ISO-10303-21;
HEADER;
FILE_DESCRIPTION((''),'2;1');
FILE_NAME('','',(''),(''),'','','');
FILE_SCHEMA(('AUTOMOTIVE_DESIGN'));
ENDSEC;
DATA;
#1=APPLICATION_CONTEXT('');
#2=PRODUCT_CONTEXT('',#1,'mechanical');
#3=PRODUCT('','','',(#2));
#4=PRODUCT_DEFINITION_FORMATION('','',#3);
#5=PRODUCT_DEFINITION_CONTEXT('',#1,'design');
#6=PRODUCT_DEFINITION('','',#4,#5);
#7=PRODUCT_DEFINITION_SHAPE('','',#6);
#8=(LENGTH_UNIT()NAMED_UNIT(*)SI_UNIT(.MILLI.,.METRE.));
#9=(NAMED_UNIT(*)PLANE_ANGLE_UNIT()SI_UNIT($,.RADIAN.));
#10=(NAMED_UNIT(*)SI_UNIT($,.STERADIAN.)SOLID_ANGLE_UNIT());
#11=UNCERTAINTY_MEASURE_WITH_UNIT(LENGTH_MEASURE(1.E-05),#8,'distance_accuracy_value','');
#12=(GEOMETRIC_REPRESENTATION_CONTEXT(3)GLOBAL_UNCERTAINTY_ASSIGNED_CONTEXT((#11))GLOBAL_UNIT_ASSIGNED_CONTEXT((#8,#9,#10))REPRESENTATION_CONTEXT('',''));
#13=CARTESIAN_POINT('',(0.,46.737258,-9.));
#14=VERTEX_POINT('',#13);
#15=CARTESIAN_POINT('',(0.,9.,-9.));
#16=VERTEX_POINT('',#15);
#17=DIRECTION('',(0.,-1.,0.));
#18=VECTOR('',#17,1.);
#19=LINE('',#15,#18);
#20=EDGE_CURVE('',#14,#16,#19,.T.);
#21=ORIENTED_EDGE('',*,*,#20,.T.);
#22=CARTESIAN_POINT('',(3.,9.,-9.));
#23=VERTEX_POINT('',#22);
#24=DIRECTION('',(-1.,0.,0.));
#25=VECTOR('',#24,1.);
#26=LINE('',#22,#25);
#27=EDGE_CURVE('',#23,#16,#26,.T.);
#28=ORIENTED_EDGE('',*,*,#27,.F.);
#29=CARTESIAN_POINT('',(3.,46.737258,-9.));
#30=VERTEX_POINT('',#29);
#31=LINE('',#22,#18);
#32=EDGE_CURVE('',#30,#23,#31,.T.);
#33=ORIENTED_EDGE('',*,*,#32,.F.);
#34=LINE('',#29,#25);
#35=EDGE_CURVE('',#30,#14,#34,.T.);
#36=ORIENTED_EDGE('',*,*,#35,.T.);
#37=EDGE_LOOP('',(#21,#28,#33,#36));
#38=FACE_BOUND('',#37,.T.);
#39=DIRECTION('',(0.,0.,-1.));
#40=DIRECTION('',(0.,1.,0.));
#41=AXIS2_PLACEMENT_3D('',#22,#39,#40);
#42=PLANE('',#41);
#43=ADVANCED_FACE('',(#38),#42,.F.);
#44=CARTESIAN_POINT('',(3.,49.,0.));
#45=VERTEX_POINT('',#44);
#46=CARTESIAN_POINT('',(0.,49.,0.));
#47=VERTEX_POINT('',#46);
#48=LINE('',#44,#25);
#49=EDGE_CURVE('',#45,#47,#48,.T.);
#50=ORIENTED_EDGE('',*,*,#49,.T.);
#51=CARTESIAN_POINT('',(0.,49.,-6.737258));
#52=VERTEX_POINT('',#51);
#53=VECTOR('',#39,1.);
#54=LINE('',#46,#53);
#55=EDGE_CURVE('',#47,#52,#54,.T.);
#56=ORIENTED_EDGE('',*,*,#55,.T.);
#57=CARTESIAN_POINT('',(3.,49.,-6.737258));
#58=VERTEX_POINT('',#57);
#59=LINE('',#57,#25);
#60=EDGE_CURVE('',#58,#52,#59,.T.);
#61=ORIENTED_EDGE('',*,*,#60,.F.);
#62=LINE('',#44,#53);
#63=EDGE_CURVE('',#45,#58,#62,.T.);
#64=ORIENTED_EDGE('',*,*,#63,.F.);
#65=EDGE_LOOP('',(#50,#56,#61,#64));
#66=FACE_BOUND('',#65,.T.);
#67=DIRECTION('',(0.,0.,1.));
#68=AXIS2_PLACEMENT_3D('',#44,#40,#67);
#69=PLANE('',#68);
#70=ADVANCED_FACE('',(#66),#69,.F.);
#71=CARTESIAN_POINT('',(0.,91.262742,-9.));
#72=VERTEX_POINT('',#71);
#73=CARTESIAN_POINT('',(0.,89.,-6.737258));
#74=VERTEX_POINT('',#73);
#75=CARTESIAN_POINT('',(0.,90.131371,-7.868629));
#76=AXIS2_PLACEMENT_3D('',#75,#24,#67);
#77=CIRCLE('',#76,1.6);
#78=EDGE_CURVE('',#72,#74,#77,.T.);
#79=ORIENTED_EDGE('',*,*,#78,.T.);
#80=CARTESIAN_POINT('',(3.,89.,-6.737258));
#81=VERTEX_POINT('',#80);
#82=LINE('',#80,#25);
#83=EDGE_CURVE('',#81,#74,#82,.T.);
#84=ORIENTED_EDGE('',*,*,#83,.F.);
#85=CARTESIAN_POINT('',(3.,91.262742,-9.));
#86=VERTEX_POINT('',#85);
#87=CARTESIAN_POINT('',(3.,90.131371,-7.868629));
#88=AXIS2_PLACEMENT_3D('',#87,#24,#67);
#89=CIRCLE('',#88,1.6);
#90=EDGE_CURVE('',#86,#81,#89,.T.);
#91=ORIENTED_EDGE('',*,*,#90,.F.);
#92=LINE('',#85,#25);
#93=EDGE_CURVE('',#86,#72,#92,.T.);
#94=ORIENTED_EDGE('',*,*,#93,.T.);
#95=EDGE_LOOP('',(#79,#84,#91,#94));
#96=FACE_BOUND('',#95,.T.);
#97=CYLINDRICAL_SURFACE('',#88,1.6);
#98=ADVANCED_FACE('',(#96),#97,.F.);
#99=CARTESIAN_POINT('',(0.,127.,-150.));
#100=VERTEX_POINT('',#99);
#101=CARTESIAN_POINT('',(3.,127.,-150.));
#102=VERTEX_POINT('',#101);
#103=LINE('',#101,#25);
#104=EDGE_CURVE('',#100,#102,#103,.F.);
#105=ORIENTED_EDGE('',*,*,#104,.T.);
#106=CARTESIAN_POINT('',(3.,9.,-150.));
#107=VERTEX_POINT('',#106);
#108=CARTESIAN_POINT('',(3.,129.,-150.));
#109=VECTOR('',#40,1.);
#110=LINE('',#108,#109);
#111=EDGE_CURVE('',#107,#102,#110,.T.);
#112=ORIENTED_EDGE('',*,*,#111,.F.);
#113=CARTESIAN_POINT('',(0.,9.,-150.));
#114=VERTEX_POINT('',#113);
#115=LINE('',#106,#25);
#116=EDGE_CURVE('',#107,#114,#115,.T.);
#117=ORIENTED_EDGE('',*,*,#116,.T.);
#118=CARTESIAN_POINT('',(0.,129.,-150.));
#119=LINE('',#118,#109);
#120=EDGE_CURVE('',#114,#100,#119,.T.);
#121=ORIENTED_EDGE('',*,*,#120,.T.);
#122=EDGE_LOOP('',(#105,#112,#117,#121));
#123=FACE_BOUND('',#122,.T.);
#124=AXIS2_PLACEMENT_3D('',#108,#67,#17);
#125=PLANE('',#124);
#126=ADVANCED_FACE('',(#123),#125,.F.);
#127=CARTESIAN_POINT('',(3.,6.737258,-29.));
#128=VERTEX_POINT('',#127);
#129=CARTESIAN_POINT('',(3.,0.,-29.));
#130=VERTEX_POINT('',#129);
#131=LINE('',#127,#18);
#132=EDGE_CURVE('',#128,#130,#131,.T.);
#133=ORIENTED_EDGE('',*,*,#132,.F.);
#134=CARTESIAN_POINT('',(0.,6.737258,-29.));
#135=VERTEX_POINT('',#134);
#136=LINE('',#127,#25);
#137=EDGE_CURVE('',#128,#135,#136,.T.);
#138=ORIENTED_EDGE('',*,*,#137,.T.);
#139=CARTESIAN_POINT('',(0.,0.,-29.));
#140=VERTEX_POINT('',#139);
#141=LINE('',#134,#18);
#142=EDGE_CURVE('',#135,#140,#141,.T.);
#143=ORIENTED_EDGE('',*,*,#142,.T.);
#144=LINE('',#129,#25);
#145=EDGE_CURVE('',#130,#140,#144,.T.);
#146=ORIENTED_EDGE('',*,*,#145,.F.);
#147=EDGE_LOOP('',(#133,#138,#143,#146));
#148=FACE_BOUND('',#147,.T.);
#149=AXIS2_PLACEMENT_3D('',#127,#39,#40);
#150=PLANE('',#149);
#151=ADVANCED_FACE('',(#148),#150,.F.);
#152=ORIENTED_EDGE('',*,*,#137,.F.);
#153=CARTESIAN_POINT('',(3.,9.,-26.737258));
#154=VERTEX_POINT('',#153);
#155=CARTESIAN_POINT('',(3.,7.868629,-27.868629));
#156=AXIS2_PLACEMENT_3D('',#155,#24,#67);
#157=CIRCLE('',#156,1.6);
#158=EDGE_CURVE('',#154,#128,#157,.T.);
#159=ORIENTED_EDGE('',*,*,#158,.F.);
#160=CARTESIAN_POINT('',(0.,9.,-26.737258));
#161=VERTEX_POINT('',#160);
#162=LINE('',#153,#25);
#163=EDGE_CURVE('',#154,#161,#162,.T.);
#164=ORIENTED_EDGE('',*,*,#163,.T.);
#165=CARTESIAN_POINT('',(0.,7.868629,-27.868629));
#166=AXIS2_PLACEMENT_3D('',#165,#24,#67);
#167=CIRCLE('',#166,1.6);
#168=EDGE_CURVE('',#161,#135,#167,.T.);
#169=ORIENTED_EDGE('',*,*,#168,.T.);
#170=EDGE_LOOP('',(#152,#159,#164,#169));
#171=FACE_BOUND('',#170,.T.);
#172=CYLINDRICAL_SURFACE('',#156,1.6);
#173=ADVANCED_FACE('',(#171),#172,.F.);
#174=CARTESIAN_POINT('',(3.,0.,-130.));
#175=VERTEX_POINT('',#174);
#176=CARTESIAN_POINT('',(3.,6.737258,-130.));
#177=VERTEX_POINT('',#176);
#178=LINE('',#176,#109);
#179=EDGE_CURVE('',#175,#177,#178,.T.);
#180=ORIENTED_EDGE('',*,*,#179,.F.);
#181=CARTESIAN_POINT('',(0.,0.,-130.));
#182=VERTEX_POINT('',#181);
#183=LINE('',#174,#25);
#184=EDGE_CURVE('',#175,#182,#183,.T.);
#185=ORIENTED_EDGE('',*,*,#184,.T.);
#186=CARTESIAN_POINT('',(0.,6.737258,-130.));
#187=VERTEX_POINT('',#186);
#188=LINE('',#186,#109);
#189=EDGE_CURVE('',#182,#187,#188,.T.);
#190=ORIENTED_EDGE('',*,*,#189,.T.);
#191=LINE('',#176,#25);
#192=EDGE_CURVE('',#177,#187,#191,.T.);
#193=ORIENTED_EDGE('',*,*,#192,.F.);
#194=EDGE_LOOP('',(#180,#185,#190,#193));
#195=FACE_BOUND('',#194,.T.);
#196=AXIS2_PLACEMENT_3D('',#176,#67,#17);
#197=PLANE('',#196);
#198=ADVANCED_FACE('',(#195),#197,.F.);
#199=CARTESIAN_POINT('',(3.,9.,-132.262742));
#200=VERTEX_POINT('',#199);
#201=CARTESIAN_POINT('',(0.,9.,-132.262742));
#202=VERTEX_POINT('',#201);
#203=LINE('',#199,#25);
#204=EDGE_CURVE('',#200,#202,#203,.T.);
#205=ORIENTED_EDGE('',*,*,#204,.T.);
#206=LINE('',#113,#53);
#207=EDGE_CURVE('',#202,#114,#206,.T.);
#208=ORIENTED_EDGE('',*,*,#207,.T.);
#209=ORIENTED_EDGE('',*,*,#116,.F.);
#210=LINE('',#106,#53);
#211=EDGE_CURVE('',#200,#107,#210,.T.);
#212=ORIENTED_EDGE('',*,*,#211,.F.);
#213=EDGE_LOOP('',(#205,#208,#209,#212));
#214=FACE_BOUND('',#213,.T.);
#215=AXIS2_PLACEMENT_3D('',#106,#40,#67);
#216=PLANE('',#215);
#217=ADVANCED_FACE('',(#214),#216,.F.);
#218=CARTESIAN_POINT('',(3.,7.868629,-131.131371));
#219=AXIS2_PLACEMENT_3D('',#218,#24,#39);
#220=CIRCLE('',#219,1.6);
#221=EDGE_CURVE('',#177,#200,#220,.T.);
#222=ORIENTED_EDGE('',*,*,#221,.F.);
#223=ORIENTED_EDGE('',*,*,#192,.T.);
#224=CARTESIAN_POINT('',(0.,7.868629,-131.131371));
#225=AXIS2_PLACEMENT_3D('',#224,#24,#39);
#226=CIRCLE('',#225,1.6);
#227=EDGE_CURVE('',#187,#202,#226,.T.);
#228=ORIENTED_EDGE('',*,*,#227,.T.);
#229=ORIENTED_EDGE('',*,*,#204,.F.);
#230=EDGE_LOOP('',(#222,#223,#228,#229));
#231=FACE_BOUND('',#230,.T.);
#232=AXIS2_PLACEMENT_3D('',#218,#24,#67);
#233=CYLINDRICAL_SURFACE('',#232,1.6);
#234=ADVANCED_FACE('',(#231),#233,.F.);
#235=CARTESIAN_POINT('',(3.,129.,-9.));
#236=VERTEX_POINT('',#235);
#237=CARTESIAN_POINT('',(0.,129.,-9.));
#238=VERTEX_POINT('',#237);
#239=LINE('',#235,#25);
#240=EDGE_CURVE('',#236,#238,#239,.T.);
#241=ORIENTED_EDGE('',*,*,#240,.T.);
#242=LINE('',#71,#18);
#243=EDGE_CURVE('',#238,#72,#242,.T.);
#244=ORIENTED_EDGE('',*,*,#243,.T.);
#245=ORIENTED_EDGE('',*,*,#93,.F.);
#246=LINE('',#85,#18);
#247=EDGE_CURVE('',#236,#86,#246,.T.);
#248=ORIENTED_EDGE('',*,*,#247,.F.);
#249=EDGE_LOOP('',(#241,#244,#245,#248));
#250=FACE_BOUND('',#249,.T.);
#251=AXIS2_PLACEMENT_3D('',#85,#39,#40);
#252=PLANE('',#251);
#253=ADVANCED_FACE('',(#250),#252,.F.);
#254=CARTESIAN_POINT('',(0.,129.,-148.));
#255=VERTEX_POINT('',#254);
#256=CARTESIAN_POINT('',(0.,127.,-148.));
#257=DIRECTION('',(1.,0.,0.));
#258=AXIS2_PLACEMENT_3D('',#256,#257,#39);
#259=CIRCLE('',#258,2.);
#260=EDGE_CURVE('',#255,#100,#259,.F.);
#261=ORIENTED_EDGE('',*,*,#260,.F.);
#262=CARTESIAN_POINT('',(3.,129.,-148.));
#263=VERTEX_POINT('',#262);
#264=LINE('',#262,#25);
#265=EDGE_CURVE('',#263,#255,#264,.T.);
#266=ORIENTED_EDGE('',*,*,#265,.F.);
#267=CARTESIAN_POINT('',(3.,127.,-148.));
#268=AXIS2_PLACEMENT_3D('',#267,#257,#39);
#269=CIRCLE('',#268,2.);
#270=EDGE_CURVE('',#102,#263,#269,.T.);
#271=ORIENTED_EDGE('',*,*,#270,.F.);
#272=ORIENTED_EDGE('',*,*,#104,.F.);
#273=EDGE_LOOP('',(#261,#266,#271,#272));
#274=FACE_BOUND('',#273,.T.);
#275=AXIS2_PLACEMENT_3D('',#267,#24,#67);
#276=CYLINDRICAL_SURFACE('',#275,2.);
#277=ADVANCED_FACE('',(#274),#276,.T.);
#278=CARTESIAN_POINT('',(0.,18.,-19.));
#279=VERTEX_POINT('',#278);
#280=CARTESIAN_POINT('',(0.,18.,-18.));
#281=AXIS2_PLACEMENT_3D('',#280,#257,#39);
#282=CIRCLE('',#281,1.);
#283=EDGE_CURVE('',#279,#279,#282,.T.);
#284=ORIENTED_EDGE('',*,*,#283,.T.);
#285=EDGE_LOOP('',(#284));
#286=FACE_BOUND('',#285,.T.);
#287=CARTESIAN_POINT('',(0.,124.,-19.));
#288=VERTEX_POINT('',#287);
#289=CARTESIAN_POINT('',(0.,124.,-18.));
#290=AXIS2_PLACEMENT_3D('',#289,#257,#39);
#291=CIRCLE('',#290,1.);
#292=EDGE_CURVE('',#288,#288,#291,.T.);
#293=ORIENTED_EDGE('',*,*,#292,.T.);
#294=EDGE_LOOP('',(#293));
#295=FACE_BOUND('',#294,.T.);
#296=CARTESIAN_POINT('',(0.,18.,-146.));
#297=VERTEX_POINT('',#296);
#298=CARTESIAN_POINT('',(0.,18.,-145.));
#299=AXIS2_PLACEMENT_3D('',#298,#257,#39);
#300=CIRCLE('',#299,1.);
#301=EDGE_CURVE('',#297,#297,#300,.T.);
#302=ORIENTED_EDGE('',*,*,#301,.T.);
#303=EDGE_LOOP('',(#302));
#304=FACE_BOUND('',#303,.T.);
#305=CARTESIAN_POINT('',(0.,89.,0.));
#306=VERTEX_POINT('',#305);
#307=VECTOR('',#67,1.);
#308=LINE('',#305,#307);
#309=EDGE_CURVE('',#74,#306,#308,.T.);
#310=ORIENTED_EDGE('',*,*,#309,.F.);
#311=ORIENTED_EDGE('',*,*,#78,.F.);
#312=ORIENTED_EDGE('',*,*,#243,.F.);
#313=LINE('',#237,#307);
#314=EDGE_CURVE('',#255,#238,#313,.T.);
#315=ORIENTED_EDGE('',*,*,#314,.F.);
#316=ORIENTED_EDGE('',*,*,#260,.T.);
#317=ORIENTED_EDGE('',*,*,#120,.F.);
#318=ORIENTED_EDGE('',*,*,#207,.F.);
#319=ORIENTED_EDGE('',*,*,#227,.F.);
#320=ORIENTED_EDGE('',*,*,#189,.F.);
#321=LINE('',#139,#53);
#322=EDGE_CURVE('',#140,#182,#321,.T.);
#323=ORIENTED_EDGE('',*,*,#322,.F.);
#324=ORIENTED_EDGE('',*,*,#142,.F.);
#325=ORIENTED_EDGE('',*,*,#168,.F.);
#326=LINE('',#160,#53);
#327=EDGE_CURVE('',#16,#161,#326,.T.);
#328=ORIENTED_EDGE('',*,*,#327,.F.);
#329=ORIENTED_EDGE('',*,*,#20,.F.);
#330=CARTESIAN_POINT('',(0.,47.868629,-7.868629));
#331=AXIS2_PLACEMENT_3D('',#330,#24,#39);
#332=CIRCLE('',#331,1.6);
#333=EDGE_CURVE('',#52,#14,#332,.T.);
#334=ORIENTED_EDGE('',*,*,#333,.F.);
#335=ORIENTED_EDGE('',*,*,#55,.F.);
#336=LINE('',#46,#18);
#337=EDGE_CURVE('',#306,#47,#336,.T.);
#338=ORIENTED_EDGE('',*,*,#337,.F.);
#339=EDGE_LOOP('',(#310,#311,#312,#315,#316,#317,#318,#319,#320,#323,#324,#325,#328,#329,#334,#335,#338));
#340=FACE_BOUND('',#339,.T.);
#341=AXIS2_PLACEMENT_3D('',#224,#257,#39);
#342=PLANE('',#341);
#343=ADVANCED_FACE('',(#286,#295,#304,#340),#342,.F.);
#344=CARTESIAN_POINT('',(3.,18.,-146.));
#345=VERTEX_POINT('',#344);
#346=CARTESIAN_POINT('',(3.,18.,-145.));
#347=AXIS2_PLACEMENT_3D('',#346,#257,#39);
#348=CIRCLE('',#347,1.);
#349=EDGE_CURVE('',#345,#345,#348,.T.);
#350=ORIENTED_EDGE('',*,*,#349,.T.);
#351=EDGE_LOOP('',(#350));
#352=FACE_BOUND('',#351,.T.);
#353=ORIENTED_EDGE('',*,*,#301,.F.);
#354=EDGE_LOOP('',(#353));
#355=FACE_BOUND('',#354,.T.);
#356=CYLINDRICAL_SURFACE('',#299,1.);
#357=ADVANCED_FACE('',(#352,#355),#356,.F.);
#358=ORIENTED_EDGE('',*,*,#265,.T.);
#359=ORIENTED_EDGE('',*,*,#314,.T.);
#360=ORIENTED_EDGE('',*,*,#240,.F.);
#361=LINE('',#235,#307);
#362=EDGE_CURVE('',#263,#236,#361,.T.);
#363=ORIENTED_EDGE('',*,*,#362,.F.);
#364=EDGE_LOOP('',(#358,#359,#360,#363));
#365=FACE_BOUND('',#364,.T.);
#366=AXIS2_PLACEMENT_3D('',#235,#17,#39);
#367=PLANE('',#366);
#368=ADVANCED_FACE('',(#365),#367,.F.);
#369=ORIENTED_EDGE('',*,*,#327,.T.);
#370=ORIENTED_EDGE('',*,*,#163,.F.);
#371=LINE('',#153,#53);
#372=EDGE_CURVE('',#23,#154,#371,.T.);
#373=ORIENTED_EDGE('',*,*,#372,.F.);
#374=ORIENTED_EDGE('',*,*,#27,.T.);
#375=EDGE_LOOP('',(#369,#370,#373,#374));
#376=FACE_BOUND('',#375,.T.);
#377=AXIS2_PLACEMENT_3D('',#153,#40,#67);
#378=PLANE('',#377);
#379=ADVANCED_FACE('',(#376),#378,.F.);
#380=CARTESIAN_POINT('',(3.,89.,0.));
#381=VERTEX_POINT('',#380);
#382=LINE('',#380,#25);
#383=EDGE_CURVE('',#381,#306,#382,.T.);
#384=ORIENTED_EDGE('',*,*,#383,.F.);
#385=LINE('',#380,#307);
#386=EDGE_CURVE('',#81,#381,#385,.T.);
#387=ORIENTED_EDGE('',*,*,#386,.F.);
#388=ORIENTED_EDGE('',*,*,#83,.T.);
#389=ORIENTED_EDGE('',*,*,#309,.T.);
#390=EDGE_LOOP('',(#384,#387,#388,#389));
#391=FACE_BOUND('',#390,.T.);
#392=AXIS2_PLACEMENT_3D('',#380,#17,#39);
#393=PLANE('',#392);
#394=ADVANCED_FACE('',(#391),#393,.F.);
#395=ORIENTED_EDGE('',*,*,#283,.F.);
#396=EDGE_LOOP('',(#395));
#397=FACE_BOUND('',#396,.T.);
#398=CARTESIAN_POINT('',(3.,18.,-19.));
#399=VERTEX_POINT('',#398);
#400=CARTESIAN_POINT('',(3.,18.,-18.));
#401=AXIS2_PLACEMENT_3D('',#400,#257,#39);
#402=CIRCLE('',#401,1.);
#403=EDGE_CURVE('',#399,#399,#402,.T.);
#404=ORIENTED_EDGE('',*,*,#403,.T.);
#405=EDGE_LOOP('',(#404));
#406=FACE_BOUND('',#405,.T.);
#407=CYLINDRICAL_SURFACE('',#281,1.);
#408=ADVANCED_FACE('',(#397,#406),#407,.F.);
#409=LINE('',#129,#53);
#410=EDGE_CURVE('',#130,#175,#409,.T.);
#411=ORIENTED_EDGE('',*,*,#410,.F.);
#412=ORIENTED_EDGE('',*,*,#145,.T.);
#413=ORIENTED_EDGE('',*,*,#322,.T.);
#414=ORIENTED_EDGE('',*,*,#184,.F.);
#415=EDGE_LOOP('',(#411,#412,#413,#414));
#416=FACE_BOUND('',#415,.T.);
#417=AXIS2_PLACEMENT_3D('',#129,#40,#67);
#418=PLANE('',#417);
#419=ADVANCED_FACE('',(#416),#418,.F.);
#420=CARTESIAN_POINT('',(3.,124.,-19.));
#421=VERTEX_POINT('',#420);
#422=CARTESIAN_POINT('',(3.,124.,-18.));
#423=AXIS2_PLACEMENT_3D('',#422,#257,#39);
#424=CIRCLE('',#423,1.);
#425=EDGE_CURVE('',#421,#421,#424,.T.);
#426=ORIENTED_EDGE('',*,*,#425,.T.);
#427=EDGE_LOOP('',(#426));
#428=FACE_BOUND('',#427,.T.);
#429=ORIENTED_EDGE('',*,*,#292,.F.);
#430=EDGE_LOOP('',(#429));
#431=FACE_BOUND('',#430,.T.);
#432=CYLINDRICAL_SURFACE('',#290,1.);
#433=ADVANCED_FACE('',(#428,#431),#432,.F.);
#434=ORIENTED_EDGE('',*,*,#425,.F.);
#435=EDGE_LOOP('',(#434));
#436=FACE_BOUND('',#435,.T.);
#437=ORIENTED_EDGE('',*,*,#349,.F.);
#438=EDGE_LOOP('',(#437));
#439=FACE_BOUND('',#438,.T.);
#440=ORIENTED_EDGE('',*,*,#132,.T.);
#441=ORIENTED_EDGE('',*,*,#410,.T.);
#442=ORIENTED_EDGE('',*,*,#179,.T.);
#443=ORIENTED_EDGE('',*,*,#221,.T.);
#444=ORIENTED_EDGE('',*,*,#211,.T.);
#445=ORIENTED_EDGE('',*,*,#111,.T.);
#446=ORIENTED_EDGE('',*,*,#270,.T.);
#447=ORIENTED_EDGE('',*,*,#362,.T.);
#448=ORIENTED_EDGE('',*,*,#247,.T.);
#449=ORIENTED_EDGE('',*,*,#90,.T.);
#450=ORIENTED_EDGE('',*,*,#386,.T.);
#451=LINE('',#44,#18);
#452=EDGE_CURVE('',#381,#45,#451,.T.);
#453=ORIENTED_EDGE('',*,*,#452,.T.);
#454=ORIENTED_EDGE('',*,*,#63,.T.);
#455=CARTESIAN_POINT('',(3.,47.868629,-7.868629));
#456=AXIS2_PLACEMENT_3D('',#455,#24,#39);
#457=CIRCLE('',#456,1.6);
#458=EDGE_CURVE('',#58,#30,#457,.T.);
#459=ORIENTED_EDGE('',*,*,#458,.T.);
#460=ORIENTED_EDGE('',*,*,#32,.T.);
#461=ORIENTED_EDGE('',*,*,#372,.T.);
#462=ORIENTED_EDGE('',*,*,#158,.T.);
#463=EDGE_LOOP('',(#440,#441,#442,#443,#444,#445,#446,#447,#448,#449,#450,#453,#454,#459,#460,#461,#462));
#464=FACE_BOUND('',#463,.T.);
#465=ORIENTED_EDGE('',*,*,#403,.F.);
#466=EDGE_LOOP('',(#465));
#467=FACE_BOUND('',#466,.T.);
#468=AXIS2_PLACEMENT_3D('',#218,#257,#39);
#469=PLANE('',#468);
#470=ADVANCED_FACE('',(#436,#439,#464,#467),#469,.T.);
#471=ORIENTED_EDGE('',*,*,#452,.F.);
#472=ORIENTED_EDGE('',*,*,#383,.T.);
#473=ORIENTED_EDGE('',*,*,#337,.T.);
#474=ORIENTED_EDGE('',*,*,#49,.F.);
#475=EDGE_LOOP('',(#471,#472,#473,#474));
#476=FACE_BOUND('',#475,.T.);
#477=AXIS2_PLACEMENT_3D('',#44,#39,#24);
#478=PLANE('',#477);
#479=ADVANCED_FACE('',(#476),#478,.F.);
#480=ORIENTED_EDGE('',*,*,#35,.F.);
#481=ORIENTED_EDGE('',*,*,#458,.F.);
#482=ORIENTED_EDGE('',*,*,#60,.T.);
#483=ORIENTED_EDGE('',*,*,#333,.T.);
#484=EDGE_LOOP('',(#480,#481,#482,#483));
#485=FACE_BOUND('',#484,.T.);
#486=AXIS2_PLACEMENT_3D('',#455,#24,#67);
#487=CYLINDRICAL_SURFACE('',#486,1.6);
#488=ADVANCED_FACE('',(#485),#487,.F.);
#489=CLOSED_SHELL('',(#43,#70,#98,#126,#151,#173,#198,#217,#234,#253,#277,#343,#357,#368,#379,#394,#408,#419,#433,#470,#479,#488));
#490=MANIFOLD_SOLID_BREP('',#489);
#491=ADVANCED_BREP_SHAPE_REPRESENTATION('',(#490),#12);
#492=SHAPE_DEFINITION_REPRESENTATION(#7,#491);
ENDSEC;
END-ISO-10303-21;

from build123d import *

# Parameters (mm, degrees)
EXTRUSION1_DEPTH        = 3
ESQUISSE2_R             = 1
ENL_V_MAT_EXTRU_1_DEPTH = 4
CONG_1_R                = 2


with BuildPart() as part:
    # Esquisse1 → Extrusion1 (new body)
    with BuildSketch(Plane(origin=(0, 0, 0), x_dir=(0, 0, -1), z_dir=(1, 0, 0))):
        with BuildLine():
            Line((130, 6.7372583), (130, 0))
            Line((130, 0), (29, 0))
            Line((29, 0), (29, 6.7372583))
            ThreePointArc((29, 6.7372583), (29, 9), (26.7372583, 9))
            Line((26.7372583, 9), (9, 9))
            Line((9, 9), (9, 46.7372583))
            ThreePointArc((9, 46.7372583), (9, 49), (6.7372583, 49))
            Line((6.7372583, 49), (0, 49))
            Line((0, 49), (0, 89))
            Line((0, 89), (6.7372583, 89))
            ThreePointArc((6.7372583, 89), (9, 89), (9, 91.2627417))
            Line((9, 91.2627417), (9, 129))
            Line((9, 129), (150, 129))
            Line((150, 129), (150, 9))
            Line((150, 9), (132.2627417, 9))
            ThreePointArc((132.2627417, 9), (130, 9), (130, 6.7372583))
        make_face()
    extrude(amount=EXTRUSION1_DEPTH)

    # Esquisse2 → Enlèv. mat.-Extru.1 (cut, through all)
    with BuildSketch(Plane(origin=(3, 0, 0), x_dir=(0, 0, -1), z_dir=(1, 0, 0))):
        with Locations((18, 124)):
            Circle(ESQUISSE2_R)
        with Locations((18, 18)):
            Circle(ESQUISSE2_R)
        with Locations((145, 18)):
            Circle(ESQUISSE2_R)
    extrude(amount=-ENL_V_MAT_EXTRU_1_DEPTH, mode=Mode.SUBTRACT)

    # Congé1
    cong_1_edges = [part.edges().sort_by_distance(p)[0] for p in [
        (1.5, 129, -150),
    ]]
    fillet(cong_1_edges, radius=CONG_1_R)


solid = part.part
